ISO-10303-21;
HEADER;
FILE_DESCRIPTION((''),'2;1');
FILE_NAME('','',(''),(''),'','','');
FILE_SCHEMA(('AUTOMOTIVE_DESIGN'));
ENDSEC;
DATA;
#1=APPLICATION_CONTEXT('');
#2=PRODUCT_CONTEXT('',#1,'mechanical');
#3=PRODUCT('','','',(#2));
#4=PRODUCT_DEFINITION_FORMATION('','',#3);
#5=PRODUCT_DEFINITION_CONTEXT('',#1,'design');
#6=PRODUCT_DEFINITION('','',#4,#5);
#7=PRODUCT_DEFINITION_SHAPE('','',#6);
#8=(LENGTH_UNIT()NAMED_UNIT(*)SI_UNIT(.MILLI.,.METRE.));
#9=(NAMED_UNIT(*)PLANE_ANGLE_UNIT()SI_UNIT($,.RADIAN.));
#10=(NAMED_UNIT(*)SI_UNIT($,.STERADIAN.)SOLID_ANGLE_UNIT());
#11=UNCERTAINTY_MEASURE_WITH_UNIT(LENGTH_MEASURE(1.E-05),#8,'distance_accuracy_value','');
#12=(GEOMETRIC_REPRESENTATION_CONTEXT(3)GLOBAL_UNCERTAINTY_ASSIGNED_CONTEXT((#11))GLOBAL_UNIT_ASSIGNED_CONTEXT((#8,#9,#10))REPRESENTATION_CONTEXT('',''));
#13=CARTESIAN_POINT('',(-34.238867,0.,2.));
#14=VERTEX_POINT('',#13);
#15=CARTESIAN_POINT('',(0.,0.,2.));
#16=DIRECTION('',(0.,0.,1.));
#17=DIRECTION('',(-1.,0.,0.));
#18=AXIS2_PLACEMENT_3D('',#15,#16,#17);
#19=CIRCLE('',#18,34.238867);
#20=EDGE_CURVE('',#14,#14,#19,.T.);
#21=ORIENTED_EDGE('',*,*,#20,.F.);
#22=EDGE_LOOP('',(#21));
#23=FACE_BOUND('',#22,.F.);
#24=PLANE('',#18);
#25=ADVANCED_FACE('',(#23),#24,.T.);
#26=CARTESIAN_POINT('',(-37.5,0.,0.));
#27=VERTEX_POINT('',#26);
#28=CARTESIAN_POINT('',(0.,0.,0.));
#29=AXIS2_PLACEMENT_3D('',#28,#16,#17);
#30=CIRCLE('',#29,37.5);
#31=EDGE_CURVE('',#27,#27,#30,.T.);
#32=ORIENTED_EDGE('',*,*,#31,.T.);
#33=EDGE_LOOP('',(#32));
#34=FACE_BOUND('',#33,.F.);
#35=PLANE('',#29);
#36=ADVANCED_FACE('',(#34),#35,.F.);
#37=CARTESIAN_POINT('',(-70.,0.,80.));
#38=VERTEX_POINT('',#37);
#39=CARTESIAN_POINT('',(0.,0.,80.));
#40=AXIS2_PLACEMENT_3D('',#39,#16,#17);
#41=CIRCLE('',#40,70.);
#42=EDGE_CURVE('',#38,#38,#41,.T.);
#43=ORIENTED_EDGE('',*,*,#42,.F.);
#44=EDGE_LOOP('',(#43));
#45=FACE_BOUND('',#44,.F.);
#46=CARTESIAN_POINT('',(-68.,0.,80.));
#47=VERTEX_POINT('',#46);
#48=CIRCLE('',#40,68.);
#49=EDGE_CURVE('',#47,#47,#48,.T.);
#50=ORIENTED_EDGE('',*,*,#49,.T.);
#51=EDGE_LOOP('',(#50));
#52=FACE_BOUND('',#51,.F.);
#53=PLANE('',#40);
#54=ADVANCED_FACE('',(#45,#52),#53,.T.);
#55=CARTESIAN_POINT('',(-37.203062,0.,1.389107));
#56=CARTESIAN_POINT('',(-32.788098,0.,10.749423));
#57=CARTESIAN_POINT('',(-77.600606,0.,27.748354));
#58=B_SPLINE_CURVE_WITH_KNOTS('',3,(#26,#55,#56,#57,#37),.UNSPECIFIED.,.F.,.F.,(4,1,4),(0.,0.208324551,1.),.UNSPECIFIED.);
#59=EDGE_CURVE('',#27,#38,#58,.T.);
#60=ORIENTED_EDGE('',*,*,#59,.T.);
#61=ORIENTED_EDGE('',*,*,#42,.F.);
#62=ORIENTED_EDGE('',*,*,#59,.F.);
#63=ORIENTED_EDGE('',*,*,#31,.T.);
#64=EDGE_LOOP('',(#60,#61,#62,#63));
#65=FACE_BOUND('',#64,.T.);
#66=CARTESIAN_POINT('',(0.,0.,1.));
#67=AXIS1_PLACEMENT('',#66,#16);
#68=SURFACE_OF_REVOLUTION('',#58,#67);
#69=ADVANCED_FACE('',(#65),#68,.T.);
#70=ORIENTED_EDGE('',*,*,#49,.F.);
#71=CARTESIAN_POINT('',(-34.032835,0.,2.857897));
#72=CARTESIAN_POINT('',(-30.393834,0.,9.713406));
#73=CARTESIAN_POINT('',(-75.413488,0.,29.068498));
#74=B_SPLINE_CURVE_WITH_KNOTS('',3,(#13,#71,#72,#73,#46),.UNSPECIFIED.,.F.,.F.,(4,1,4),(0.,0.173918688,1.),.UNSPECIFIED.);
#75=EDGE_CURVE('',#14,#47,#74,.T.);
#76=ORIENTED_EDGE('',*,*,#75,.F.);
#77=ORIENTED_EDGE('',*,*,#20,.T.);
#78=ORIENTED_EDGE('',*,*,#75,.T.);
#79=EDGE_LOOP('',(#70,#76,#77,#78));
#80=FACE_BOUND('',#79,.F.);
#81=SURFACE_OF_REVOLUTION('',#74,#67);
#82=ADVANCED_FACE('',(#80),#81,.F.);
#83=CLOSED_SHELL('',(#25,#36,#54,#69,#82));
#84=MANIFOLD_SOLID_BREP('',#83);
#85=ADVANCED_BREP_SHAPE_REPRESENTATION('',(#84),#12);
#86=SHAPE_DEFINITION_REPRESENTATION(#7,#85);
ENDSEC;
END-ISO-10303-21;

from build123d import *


with BuildPart() as f1:
    # F0 (on Front) → F1 (revolve)
    with BuildSketch(Plane.XZ):
        with BuildLine():
            Line((-37.5, 0), (0, 0))
            Line((0, 0), (0, 2))
            Line((0, 2), (-34.2388674617, 2))
            add(Edge.make_bspline(
                [(-34.2388674617, 2), (-34.0328350911, 2.8578974594), (-30.393834268, 9.7134063223), (-75.4134878516, 29.0684979409), (-68, 80)],
                knots=[0, 0, 0, 0, 0.1739186879, 1, 1, 1, 1], degree=3))
            Line((-68, 80), (-70, 80))
            add(Edge.make_bspline(
                [(-37.5, 0), (-37.2030619571, 1.3891070855), (-32.7880977893, 10.749422913), (-77.6006057858, 27.7483537793), (-70, 80)],
                knots=[0, 0, 0, 0, 0.2083245509, 1, 1, 1, 1], degree=3))
        make_face()
    revolve(axis=Axis((0, 0, 1), (0, 0, 1)))


solid = f1.part
